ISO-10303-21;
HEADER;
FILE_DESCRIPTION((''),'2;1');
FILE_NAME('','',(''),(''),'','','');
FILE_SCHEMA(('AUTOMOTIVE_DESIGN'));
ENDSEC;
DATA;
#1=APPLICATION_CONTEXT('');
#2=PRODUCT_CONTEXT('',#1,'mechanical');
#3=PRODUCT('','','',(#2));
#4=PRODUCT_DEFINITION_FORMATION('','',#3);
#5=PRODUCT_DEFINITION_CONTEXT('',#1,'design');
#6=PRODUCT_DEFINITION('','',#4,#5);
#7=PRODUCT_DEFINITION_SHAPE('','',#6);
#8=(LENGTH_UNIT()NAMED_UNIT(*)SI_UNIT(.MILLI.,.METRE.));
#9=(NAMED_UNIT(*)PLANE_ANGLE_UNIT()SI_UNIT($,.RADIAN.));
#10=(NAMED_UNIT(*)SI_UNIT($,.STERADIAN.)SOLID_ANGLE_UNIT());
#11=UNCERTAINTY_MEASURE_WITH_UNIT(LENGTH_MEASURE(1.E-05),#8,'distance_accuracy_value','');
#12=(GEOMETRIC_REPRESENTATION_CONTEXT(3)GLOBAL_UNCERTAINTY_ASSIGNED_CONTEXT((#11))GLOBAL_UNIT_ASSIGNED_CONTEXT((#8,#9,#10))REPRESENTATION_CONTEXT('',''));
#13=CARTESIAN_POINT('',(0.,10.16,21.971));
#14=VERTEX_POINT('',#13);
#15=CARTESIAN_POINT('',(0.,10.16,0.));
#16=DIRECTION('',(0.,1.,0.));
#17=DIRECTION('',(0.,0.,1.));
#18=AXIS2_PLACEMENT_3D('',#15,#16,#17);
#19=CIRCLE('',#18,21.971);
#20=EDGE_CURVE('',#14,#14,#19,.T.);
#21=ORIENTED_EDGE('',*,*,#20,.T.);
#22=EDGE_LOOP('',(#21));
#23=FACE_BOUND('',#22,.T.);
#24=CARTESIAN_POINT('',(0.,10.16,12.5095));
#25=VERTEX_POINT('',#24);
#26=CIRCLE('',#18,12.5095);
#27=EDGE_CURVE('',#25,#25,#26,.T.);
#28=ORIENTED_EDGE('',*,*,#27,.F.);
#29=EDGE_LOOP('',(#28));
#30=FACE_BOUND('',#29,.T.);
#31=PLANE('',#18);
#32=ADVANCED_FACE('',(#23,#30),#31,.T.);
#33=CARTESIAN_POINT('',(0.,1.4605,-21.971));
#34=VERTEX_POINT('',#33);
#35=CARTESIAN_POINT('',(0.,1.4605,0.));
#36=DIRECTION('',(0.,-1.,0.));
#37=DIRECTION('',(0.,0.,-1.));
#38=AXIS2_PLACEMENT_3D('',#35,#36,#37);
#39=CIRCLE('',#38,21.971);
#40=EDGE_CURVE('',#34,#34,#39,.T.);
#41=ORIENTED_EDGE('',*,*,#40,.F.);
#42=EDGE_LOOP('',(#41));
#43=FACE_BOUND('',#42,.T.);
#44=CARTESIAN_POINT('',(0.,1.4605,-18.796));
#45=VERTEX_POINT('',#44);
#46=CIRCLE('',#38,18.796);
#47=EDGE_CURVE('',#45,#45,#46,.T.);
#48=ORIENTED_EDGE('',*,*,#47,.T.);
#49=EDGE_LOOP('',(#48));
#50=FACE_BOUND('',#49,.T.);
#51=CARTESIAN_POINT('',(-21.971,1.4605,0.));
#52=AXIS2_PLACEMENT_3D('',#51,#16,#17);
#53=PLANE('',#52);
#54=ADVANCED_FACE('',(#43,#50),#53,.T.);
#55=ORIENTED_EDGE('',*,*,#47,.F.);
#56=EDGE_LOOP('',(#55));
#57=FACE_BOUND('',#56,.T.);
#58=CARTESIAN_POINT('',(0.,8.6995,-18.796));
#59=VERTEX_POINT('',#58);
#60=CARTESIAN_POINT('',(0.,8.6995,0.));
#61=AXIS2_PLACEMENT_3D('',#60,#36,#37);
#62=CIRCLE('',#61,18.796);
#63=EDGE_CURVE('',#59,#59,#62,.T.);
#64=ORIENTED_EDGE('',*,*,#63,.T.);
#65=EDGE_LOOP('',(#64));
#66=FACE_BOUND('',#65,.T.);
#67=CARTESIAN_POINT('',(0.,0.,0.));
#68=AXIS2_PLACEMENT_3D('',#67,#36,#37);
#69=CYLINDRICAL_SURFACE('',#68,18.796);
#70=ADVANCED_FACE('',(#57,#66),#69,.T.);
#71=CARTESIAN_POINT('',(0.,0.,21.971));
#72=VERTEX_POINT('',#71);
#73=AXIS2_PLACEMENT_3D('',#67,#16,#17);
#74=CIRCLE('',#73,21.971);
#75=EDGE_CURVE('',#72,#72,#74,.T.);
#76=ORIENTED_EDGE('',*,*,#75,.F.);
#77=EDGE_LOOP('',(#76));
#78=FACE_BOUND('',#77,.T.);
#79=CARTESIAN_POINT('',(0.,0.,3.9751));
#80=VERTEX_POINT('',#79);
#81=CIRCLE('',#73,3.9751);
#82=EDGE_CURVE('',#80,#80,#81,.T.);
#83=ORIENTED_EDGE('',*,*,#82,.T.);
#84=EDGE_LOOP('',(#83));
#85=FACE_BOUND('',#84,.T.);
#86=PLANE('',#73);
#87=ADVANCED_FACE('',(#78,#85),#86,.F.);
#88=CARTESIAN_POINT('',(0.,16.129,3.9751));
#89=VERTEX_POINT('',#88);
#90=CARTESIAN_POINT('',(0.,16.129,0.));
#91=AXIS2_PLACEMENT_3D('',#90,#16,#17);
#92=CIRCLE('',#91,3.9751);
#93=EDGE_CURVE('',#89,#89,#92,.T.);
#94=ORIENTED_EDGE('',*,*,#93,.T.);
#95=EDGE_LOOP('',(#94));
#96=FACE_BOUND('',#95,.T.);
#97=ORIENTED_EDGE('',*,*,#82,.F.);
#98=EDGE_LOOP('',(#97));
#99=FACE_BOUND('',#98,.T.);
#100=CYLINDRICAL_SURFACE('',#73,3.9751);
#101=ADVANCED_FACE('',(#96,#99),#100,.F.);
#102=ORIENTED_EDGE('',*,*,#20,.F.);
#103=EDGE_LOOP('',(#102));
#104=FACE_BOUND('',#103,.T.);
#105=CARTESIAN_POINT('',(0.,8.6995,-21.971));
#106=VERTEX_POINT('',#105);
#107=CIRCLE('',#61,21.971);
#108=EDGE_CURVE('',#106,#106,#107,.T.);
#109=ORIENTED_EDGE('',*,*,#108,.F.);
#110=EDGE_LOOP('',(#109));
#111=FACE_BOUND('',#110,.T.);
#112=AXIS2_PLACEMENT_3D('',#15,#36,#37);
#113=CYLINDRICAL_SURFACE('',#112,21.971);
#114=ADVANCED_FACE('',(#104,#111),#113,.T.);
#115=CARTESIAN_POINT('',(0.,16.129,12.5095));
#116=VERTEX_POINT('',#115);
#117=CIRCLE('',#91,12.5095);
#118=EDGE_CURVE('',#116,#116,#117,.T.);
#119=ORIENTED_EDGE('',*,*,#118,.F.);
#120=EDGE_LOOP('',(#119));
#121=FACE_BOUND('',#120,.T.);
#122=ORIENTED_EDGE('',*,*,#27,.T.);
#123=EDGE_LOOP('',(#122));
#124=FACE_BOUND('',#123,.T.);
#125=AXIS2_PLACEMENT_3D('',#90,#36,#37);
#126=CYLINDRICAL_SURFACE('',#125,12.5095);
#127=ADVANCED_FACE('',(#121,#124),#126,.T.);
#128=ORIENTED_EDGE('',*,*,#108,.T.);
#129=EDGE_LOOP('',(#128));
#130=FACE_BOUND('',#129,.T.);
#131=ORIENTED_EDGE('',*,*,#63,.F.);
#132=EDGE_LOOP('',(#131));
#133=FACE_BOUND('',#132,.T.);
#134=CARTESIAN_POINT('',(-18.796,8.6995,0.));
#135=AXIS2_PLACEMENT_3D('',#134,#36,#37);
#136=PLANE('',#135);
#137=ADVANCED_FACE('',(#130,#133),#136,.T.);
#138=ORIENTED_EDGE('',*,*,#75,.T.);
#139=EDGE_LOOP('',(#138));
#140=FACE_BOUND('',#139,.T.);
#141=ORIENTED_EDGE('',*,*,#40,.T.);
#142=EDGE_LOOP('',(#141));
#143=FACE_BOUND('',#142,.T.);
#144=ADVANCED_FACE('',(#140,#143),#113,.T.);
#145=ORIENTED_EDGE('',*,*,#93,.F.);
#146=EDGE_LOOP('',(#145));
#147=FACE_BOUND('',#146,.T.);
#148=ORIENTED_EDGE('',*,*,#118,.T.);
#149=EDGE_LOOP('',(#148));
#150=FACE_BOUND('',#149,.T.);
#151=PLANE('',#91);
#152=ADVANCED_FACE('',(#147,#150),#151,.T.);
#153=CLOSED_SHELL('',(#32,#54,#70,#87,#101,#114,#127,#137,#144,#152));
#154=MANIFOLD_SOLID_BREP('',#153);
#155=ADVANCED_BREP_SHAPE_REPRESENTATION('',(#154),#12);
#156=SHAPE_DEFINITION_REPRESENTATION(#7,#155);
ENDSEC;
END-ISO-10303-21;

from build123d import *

# Parameters (mm, degrees)
SKETCH1_R           = 21.971
BOSS_EXTRUDE1_DEPTH = 10.16
SKETCH2_W           = 3.175
SKETCH2_H           = 7.239
SKETCH3_R           = 12.5095
BOSS_EXTRUDE2_DEPTH = 5.969
SKETCH4_R           = 3.9751
CUT_EXTRUDE1_DEPTH  = 17.129


with BuildPart() as part:
    # Sketch1 → Boss-Extrude1 (new body)
    with BuildSketch(Plane(origin=(0, 0, 0), x_dir=(1, 0, 0), z_dir=(0, 1, 0))):
        Circle(SKETCH1_R)
    extrude(amount=BOSS_EXTRUDE1_DEPTH)

    # Sketch2 → Cut-Revolve1 (revolve, cut)
    with BuildSketch(Plane.XY):
        with Locations((-20.3835, 5.08)):
            Rectangle(SKETCH2_W, SKETCH2_H)
    revolve(axis=Axis((0, 0, 0), (0, 1, 0)), mode=Mode.SUBTRACT)

    # Sketch3 → Boss-Extrude2 (add)
    with BuildSketch(Plane(origin=(0, 10.16, 0), x_dir=(1, 0, 0), z_dir=(0, 1, 0))):
        Circle(SKETCH3_R)
    extrude(amount=BOSS_EXTRUDE2_DEPTH)

    # Sketch4 → Cut-Extrude1 (cut, through all)
    with BuildSketch(Plane(origin=(0, 16.129, 0), x_dir=(1, 0, 0), z_dir=(0, 1, 0))):
        Circle(SKETCH4_R)
    extrude(amount=-CUT_EXTRUDE1_DEPTH, mode=Mode.SUBTRACT)


solid = part.part
